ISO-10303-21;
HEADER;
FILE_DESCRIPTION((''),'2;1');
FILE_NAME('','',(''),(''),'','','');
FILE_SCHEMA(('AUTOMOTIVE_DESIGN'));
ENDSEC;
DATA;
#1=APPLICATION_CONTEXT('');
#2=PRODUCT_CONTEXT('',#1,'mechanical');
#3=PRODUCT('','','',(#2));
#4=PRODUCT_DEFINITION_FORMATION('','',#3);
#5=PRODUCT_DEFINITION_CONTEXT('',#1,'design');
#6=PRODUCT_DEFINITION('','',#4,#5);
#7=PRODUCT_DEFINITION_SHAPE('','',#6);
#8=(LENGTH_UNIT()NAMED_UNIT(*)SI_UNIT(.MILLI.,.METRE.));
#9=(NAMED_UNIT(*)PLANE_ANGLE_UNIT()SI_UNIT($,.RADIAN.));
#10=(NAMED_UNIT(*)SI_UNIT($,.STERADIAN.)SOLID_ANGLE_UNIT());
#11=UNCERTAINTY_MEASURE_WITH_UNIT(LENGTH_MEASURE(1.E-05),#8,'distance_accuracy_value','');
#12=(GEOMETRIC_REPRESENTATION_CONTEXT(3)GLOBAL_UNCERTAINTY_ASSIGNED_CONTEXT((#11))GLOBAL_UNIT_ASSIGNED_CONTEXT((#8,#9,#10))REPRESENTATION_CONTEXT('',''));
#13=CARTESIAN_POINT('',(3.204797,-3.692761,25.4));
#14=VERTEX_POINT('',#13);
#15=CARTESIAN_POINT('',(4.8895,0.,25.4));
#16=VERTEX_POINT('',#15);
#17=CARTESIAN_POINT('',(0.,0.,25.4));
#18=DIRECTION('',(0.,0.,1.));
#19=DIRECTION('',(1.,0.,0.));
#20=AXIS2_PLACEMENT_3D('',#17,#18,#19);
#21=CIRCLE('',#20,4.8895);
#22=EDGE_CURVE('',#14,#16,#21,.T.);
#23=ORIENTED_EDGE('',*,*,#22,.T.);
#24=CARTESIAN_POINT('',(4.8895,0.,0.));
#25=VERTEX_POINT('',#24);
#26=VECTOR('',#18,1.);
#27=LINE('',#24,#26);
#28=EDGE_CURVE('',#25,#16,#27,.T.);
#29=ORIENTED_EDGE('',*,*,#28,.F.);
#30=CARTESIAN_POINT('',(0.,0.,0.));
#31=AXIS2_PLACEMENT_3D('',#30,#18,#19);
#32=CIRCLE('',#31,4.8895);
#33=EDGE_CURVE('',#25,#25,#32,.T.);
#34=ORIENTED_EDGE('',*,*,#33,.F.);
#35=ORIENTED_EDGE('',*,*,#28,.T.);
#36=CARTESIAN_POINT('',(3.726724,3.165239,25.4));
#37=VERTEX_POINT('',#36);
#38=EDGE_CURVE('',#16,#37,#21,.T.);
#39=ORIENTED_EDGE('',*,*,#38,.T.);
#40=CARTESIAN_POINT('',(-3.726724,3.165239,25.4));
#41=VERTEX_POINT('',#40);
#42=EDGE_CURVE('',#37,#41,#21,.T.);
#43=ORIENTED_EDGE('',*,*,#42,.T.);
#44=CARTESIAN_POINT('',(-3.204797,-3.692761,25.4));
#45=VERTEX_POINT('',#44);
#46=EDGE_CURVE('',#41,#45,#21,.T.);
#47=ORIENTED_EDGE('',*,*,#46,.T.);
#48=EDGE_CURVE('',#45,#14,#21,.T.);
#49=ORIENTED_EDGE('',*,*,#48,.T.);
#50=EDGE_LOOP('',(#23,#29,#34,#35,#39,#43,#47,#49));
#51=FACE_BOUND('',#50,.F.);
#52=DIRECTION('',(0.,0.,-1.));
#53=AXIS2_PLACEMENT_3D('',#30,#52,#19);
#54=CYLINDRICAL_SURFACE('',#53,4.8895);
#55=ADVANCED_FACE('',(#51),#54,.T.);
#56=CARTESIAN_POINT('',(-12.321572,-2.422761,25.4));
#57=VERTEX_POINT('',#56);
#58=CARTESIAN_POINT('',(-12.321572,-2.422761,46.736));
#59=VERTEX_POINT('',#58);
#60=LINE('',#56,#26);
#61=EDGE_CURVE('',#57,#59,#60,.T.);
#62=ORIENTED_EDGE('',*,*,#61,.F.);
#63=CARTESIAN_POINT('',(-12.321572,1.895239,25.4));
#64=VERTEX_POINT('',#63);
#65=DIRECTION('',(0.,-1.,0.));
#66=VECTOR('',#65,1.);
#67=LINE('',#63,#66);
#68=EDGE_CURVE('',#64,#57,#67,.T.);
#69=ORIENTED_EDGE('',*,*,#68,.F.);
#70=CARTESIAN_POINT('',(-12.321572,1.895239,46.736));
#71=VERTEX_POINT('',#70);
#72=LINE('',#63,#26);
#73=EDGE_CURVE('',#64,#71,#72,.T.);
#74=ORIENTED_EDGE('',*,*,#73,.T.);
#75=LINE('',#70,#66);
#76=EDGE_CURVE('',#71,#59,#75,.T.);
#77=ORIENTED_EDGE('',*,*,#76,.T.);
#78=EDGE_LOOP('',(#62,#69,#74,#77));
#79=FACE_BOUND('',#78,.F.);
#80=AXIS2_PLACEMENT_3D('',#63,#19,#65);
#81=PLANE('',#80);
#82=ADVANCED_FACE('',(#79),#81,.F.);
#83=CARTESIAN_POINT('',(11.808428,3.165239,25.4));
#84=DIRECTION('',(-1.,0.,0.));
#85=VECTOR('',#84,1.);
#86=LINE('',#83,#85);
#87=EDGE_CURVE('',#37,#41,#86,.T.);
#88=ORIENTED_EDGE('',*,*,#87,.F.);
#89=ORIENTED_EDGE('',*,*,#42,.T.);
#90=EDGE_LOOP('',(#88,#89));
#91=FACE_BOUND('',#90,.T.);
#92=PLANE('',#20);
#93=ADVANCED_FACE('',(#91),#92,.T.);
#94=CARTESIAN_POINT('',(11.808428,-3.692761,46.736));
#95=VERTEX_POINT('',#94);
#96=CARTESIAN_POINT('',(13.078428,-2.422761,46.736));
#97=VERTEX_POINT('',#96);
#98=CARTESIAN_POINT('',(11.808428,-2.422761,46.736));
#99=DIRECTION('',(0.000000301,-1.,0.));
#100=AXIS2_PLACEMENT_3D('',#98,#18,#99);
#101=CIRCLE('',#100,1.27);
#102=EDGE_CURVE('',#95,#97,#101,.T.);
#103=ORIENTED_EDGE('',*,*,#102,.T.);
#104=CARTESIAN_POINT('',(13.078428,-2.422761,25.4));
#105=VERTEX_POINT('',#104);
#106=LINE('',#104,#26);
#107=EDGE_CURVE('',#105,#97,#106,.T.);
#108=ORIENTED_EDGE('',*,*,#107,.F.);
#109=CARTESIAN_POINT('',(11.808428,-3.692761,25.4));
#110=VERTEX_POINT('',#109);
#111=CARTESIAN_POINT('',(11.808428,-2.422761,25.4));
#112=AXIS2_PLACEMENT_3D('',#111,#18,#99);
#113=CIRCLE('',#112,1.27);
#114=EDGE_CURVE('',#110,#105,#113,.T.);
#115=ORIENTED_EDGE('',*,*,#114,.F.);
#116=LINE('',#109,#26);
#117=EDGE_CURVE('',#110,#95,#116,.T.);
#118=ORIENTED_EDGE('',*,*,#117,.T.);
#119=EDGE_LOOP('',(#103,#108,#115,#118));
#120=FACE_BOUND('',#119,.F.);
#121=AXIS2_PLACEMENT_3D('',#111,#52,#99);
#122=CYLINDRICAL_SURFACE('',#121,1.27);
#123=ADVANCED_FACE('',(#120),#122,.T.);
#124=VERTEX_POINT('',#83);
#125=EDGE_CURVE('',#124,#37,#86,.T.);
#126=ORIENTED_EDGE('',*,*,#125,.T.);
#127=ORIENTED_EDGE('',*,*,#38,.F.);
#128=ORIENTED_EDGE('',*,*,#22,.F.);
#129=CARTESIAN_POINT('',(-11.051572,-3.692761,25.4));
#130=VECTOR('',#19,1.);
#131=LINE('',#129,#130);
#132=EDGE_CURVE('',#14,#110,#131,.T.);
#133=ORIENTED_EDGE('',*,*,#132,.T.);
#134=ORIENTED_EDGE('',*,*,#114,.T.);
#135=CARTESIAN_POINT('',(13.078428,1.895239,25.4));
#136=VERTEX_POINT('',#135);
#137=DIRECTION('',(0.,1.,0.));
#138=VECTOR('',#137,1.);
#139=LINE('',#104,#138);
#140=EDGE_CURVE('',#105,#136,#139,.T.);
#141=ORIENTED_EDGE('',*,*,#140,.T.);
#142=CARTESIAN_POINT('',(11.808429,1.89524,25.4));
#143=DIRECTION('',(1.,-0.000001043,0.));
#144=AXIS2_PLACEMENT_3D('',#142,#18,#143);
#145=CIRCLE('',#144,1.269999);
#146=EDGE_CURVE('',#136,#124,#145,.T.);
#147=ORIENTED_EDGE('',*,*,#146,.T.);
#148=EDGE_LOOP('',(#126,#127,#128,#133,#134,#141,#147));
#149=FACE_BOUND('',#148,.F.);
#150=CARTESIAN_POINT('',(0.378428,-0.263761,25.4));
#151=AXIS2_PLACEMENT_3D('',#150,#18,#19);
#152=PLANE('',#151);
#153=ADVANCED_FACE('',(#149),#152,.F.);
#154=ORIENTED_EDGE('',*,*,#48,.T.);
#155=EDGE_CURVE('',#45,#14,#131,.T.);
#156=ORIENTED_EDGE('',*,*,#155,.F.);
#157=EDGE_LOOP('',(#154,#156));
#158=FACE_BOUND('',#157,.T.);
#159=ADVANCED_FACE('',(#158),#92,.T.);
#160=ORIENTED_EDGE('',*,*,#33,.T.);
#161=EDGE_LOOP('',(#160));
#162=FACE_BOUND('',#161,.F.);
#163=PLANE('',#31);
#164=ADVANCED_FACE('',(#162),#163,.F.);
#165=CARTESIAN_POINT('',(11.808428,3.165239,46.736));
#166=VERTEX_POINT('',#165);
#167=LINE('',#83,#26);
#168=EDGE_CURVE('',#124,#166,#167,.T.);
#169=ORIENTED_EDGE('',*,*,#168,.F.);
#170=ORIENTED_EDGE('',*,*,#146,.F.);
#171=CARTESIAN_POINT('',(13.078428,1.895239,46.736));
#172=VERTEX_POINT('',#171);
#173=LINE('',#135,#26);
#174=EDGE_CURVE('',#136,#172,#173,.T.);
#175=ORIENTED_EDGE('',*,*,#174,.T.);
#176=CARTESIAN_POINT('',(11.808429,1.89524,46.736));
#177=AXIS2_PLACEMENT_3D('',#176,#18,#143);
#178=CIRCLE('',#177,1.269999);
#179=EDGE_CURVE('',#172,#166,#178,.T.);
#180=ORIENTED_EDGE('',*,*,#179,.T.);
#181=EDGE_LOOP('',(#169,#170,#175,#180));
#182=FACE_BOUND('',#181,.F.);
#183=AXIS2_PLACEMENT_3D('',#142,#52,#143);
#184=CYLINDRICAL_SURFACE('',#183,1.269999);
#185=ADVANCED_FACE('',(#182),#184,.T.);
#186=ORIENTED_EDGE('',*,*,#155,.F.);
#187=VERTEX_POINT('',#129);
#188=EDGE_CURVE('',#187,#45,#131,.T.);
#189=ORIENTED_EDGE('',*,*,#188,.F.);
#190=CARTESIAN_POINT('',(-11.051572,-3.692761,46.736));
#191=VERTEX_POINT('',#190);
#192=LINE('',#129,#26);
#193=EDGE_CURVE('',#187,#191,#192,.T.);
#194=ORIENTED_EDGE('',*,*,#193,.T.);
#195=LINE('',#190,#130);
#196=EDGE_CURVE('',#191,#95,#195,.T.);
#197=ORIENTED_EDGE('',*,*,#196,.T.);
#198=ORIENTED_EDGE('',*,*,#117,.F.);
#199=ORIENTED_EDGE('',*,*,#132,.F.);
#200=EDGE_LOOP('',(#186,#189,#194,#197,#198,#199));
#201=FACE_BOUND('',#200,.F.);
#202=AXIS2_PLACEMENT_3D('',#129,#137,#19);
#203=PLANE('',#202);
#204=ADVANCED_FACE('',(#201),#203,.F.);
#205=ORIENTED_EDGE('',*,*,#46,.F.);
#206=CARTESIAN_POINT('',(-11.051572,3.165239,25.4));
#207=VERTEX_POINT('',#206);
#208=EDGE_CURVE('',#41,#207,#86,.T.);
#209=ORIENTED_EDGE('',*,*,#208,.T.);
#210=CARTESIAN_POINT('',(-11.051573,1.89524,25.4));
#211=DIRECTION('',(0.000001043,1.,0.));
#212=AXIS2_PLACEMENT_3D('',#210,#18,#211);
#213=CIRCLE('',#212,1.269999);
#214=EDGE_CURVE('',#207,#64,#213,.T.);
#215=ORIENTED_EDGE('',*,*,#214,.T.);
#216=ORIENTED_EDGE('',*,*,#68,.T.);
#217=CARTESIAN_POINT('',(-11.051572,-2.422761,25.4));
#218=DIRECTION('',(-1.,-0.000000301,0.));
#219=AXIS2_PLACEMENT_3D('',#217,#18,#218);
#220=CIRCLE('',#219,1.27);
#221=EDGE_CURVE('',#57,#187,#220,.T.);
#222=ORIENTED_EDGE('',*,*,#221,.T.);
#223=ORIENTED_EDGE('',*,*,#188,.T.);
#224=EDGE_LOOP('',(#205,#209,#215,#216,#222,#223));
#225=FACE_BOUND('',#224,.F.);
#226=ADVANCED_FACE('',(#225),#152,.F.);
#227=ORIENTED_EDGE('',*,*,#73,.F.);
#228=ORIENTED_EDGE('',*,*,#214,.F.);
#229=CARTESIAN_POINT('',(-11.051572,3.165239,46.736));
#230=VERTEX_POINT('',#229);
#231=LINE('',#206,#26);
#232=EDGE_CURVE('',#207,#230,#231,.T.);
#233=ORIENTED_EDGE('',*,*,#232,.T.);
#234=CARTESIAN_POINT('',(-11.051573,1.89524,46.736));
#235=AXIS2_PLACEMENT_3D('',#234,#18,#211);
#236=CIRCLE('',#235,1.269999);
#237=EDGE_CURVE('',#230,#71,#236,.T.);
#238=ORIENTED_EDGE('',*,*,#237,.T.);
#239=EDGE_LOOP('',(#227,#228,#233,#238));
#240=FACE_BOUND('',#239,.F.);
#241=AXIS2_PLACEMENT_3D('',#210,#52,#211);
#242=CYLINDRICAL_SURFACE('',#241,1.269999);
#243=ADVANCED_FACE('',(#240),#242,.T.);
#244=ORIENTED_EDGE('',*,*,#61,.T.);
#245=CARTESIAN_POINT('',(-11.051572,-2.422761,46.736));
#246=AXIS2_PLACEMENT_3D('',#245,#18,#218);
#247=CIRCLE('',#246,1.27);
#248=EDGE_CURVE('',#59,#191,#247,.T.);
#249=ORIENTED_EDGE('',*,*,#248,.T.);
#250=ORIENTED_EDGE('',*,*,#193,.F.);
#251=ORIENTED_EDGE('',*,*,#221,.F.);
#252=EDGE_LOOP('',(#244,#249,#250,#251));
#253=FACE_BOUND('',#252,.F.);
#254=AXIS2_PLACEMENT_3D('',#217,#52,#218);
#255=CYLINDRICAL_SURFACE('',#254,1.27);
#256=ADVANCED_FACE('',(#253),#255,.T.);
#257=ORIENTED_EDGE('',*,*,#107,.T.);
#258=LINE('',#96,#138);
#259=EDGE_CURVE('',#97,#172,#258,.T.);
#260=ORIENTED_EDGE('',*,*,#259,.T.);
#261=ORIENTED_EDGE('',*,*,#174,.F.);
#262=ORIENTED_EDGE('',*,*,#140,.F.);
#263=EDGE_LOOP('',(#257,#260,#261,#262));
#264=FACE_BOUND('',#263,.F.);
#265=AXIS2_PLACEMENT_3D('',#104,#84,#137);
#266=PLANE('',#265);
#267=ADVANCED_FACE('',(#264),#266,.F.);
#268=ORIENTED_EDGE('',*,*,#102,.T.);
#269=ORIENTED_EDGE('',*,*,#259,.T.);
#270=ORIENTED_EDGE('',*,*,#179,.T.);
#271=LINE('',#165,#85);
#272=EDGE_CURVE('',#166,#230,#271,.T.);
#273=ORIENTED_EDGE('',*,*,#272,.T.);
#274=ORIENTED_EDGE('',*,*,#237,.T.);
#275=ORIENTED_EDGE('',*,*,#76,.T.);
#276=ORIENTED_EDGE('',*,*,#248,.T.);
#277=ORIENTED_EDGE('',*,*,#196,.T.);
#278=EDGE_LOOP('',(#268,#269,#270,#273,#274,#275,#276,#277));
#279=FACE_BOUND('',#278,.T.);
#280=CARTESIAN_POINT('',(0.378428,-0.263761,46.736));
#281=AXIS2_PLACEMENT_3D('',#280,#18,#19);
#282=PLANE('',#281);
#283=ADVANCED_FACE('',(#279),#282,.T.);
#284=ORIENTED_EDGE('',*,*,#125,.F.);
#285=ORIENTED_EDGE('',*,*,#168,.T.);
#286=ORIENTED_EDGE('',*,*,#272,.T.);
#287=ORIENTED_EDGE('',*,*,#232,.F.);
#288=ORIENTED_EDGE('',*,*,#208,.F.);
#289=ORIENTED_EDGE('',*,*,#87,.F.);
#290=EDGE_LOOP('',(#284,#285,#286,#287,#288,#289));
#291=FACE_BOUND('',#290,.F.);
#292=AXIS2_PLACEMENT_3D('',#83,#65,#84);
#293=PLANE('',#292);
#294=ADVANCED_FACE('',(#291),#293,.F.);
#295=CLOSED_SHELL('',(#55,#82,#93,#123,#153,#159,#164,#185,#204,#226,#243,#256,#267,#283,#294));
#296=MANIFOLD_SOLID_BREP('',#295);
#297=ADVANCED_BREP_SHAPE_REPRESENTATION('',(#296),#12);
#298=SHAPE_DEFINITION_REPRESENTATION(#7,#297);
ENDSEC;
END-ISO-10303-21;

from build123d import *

# Parameters (mm, degrees)
F0_R     = 4.8895
F1_DEPTH = 25.4
F3_DEPTH = 21.336


with BuildPart() as f1:
    # F0 (on Top) → F1 (new body)
    with BuildSketch(Plane.XY):
        Circle(F0_R)
    extrude(amount=F1_DEPTH)

    # F2 (on face) → F3 (join)
    with BuildSketch(Plane.XY.offset(25.4)):
        with BuildLine():
            Line((11.808428, 3.165239), (-11.051572, 3.165239))
            ThreePointArc((-11.051572, 3.165239), (-11.949598, 2.793265), (-12.321572, 1.895239))
            Line((-12.321572, 1.895239), (-12.321572, -2.422761))
            ThreePointArc((-12.321572, -2.422761), (-11.949598, -3.320786), (-11.051572, -3.692761))
            Line((-11.051572, -3.692761), (11.808428, -3.692761))
            ThreePointArc((11.808428, -3.692761), (12.706454, -3.320786), (13.078428, -2.422761))
            Line((13.078428, -2.422761), (13.078428, 1.895239))
            ThreePointArc((13.078428, 1.895239), (12.706454, 2.793265), (11.808428, 3.165239))
        make_face()
    extrude(amount=F3_DEPTH)


solid = f1.part
